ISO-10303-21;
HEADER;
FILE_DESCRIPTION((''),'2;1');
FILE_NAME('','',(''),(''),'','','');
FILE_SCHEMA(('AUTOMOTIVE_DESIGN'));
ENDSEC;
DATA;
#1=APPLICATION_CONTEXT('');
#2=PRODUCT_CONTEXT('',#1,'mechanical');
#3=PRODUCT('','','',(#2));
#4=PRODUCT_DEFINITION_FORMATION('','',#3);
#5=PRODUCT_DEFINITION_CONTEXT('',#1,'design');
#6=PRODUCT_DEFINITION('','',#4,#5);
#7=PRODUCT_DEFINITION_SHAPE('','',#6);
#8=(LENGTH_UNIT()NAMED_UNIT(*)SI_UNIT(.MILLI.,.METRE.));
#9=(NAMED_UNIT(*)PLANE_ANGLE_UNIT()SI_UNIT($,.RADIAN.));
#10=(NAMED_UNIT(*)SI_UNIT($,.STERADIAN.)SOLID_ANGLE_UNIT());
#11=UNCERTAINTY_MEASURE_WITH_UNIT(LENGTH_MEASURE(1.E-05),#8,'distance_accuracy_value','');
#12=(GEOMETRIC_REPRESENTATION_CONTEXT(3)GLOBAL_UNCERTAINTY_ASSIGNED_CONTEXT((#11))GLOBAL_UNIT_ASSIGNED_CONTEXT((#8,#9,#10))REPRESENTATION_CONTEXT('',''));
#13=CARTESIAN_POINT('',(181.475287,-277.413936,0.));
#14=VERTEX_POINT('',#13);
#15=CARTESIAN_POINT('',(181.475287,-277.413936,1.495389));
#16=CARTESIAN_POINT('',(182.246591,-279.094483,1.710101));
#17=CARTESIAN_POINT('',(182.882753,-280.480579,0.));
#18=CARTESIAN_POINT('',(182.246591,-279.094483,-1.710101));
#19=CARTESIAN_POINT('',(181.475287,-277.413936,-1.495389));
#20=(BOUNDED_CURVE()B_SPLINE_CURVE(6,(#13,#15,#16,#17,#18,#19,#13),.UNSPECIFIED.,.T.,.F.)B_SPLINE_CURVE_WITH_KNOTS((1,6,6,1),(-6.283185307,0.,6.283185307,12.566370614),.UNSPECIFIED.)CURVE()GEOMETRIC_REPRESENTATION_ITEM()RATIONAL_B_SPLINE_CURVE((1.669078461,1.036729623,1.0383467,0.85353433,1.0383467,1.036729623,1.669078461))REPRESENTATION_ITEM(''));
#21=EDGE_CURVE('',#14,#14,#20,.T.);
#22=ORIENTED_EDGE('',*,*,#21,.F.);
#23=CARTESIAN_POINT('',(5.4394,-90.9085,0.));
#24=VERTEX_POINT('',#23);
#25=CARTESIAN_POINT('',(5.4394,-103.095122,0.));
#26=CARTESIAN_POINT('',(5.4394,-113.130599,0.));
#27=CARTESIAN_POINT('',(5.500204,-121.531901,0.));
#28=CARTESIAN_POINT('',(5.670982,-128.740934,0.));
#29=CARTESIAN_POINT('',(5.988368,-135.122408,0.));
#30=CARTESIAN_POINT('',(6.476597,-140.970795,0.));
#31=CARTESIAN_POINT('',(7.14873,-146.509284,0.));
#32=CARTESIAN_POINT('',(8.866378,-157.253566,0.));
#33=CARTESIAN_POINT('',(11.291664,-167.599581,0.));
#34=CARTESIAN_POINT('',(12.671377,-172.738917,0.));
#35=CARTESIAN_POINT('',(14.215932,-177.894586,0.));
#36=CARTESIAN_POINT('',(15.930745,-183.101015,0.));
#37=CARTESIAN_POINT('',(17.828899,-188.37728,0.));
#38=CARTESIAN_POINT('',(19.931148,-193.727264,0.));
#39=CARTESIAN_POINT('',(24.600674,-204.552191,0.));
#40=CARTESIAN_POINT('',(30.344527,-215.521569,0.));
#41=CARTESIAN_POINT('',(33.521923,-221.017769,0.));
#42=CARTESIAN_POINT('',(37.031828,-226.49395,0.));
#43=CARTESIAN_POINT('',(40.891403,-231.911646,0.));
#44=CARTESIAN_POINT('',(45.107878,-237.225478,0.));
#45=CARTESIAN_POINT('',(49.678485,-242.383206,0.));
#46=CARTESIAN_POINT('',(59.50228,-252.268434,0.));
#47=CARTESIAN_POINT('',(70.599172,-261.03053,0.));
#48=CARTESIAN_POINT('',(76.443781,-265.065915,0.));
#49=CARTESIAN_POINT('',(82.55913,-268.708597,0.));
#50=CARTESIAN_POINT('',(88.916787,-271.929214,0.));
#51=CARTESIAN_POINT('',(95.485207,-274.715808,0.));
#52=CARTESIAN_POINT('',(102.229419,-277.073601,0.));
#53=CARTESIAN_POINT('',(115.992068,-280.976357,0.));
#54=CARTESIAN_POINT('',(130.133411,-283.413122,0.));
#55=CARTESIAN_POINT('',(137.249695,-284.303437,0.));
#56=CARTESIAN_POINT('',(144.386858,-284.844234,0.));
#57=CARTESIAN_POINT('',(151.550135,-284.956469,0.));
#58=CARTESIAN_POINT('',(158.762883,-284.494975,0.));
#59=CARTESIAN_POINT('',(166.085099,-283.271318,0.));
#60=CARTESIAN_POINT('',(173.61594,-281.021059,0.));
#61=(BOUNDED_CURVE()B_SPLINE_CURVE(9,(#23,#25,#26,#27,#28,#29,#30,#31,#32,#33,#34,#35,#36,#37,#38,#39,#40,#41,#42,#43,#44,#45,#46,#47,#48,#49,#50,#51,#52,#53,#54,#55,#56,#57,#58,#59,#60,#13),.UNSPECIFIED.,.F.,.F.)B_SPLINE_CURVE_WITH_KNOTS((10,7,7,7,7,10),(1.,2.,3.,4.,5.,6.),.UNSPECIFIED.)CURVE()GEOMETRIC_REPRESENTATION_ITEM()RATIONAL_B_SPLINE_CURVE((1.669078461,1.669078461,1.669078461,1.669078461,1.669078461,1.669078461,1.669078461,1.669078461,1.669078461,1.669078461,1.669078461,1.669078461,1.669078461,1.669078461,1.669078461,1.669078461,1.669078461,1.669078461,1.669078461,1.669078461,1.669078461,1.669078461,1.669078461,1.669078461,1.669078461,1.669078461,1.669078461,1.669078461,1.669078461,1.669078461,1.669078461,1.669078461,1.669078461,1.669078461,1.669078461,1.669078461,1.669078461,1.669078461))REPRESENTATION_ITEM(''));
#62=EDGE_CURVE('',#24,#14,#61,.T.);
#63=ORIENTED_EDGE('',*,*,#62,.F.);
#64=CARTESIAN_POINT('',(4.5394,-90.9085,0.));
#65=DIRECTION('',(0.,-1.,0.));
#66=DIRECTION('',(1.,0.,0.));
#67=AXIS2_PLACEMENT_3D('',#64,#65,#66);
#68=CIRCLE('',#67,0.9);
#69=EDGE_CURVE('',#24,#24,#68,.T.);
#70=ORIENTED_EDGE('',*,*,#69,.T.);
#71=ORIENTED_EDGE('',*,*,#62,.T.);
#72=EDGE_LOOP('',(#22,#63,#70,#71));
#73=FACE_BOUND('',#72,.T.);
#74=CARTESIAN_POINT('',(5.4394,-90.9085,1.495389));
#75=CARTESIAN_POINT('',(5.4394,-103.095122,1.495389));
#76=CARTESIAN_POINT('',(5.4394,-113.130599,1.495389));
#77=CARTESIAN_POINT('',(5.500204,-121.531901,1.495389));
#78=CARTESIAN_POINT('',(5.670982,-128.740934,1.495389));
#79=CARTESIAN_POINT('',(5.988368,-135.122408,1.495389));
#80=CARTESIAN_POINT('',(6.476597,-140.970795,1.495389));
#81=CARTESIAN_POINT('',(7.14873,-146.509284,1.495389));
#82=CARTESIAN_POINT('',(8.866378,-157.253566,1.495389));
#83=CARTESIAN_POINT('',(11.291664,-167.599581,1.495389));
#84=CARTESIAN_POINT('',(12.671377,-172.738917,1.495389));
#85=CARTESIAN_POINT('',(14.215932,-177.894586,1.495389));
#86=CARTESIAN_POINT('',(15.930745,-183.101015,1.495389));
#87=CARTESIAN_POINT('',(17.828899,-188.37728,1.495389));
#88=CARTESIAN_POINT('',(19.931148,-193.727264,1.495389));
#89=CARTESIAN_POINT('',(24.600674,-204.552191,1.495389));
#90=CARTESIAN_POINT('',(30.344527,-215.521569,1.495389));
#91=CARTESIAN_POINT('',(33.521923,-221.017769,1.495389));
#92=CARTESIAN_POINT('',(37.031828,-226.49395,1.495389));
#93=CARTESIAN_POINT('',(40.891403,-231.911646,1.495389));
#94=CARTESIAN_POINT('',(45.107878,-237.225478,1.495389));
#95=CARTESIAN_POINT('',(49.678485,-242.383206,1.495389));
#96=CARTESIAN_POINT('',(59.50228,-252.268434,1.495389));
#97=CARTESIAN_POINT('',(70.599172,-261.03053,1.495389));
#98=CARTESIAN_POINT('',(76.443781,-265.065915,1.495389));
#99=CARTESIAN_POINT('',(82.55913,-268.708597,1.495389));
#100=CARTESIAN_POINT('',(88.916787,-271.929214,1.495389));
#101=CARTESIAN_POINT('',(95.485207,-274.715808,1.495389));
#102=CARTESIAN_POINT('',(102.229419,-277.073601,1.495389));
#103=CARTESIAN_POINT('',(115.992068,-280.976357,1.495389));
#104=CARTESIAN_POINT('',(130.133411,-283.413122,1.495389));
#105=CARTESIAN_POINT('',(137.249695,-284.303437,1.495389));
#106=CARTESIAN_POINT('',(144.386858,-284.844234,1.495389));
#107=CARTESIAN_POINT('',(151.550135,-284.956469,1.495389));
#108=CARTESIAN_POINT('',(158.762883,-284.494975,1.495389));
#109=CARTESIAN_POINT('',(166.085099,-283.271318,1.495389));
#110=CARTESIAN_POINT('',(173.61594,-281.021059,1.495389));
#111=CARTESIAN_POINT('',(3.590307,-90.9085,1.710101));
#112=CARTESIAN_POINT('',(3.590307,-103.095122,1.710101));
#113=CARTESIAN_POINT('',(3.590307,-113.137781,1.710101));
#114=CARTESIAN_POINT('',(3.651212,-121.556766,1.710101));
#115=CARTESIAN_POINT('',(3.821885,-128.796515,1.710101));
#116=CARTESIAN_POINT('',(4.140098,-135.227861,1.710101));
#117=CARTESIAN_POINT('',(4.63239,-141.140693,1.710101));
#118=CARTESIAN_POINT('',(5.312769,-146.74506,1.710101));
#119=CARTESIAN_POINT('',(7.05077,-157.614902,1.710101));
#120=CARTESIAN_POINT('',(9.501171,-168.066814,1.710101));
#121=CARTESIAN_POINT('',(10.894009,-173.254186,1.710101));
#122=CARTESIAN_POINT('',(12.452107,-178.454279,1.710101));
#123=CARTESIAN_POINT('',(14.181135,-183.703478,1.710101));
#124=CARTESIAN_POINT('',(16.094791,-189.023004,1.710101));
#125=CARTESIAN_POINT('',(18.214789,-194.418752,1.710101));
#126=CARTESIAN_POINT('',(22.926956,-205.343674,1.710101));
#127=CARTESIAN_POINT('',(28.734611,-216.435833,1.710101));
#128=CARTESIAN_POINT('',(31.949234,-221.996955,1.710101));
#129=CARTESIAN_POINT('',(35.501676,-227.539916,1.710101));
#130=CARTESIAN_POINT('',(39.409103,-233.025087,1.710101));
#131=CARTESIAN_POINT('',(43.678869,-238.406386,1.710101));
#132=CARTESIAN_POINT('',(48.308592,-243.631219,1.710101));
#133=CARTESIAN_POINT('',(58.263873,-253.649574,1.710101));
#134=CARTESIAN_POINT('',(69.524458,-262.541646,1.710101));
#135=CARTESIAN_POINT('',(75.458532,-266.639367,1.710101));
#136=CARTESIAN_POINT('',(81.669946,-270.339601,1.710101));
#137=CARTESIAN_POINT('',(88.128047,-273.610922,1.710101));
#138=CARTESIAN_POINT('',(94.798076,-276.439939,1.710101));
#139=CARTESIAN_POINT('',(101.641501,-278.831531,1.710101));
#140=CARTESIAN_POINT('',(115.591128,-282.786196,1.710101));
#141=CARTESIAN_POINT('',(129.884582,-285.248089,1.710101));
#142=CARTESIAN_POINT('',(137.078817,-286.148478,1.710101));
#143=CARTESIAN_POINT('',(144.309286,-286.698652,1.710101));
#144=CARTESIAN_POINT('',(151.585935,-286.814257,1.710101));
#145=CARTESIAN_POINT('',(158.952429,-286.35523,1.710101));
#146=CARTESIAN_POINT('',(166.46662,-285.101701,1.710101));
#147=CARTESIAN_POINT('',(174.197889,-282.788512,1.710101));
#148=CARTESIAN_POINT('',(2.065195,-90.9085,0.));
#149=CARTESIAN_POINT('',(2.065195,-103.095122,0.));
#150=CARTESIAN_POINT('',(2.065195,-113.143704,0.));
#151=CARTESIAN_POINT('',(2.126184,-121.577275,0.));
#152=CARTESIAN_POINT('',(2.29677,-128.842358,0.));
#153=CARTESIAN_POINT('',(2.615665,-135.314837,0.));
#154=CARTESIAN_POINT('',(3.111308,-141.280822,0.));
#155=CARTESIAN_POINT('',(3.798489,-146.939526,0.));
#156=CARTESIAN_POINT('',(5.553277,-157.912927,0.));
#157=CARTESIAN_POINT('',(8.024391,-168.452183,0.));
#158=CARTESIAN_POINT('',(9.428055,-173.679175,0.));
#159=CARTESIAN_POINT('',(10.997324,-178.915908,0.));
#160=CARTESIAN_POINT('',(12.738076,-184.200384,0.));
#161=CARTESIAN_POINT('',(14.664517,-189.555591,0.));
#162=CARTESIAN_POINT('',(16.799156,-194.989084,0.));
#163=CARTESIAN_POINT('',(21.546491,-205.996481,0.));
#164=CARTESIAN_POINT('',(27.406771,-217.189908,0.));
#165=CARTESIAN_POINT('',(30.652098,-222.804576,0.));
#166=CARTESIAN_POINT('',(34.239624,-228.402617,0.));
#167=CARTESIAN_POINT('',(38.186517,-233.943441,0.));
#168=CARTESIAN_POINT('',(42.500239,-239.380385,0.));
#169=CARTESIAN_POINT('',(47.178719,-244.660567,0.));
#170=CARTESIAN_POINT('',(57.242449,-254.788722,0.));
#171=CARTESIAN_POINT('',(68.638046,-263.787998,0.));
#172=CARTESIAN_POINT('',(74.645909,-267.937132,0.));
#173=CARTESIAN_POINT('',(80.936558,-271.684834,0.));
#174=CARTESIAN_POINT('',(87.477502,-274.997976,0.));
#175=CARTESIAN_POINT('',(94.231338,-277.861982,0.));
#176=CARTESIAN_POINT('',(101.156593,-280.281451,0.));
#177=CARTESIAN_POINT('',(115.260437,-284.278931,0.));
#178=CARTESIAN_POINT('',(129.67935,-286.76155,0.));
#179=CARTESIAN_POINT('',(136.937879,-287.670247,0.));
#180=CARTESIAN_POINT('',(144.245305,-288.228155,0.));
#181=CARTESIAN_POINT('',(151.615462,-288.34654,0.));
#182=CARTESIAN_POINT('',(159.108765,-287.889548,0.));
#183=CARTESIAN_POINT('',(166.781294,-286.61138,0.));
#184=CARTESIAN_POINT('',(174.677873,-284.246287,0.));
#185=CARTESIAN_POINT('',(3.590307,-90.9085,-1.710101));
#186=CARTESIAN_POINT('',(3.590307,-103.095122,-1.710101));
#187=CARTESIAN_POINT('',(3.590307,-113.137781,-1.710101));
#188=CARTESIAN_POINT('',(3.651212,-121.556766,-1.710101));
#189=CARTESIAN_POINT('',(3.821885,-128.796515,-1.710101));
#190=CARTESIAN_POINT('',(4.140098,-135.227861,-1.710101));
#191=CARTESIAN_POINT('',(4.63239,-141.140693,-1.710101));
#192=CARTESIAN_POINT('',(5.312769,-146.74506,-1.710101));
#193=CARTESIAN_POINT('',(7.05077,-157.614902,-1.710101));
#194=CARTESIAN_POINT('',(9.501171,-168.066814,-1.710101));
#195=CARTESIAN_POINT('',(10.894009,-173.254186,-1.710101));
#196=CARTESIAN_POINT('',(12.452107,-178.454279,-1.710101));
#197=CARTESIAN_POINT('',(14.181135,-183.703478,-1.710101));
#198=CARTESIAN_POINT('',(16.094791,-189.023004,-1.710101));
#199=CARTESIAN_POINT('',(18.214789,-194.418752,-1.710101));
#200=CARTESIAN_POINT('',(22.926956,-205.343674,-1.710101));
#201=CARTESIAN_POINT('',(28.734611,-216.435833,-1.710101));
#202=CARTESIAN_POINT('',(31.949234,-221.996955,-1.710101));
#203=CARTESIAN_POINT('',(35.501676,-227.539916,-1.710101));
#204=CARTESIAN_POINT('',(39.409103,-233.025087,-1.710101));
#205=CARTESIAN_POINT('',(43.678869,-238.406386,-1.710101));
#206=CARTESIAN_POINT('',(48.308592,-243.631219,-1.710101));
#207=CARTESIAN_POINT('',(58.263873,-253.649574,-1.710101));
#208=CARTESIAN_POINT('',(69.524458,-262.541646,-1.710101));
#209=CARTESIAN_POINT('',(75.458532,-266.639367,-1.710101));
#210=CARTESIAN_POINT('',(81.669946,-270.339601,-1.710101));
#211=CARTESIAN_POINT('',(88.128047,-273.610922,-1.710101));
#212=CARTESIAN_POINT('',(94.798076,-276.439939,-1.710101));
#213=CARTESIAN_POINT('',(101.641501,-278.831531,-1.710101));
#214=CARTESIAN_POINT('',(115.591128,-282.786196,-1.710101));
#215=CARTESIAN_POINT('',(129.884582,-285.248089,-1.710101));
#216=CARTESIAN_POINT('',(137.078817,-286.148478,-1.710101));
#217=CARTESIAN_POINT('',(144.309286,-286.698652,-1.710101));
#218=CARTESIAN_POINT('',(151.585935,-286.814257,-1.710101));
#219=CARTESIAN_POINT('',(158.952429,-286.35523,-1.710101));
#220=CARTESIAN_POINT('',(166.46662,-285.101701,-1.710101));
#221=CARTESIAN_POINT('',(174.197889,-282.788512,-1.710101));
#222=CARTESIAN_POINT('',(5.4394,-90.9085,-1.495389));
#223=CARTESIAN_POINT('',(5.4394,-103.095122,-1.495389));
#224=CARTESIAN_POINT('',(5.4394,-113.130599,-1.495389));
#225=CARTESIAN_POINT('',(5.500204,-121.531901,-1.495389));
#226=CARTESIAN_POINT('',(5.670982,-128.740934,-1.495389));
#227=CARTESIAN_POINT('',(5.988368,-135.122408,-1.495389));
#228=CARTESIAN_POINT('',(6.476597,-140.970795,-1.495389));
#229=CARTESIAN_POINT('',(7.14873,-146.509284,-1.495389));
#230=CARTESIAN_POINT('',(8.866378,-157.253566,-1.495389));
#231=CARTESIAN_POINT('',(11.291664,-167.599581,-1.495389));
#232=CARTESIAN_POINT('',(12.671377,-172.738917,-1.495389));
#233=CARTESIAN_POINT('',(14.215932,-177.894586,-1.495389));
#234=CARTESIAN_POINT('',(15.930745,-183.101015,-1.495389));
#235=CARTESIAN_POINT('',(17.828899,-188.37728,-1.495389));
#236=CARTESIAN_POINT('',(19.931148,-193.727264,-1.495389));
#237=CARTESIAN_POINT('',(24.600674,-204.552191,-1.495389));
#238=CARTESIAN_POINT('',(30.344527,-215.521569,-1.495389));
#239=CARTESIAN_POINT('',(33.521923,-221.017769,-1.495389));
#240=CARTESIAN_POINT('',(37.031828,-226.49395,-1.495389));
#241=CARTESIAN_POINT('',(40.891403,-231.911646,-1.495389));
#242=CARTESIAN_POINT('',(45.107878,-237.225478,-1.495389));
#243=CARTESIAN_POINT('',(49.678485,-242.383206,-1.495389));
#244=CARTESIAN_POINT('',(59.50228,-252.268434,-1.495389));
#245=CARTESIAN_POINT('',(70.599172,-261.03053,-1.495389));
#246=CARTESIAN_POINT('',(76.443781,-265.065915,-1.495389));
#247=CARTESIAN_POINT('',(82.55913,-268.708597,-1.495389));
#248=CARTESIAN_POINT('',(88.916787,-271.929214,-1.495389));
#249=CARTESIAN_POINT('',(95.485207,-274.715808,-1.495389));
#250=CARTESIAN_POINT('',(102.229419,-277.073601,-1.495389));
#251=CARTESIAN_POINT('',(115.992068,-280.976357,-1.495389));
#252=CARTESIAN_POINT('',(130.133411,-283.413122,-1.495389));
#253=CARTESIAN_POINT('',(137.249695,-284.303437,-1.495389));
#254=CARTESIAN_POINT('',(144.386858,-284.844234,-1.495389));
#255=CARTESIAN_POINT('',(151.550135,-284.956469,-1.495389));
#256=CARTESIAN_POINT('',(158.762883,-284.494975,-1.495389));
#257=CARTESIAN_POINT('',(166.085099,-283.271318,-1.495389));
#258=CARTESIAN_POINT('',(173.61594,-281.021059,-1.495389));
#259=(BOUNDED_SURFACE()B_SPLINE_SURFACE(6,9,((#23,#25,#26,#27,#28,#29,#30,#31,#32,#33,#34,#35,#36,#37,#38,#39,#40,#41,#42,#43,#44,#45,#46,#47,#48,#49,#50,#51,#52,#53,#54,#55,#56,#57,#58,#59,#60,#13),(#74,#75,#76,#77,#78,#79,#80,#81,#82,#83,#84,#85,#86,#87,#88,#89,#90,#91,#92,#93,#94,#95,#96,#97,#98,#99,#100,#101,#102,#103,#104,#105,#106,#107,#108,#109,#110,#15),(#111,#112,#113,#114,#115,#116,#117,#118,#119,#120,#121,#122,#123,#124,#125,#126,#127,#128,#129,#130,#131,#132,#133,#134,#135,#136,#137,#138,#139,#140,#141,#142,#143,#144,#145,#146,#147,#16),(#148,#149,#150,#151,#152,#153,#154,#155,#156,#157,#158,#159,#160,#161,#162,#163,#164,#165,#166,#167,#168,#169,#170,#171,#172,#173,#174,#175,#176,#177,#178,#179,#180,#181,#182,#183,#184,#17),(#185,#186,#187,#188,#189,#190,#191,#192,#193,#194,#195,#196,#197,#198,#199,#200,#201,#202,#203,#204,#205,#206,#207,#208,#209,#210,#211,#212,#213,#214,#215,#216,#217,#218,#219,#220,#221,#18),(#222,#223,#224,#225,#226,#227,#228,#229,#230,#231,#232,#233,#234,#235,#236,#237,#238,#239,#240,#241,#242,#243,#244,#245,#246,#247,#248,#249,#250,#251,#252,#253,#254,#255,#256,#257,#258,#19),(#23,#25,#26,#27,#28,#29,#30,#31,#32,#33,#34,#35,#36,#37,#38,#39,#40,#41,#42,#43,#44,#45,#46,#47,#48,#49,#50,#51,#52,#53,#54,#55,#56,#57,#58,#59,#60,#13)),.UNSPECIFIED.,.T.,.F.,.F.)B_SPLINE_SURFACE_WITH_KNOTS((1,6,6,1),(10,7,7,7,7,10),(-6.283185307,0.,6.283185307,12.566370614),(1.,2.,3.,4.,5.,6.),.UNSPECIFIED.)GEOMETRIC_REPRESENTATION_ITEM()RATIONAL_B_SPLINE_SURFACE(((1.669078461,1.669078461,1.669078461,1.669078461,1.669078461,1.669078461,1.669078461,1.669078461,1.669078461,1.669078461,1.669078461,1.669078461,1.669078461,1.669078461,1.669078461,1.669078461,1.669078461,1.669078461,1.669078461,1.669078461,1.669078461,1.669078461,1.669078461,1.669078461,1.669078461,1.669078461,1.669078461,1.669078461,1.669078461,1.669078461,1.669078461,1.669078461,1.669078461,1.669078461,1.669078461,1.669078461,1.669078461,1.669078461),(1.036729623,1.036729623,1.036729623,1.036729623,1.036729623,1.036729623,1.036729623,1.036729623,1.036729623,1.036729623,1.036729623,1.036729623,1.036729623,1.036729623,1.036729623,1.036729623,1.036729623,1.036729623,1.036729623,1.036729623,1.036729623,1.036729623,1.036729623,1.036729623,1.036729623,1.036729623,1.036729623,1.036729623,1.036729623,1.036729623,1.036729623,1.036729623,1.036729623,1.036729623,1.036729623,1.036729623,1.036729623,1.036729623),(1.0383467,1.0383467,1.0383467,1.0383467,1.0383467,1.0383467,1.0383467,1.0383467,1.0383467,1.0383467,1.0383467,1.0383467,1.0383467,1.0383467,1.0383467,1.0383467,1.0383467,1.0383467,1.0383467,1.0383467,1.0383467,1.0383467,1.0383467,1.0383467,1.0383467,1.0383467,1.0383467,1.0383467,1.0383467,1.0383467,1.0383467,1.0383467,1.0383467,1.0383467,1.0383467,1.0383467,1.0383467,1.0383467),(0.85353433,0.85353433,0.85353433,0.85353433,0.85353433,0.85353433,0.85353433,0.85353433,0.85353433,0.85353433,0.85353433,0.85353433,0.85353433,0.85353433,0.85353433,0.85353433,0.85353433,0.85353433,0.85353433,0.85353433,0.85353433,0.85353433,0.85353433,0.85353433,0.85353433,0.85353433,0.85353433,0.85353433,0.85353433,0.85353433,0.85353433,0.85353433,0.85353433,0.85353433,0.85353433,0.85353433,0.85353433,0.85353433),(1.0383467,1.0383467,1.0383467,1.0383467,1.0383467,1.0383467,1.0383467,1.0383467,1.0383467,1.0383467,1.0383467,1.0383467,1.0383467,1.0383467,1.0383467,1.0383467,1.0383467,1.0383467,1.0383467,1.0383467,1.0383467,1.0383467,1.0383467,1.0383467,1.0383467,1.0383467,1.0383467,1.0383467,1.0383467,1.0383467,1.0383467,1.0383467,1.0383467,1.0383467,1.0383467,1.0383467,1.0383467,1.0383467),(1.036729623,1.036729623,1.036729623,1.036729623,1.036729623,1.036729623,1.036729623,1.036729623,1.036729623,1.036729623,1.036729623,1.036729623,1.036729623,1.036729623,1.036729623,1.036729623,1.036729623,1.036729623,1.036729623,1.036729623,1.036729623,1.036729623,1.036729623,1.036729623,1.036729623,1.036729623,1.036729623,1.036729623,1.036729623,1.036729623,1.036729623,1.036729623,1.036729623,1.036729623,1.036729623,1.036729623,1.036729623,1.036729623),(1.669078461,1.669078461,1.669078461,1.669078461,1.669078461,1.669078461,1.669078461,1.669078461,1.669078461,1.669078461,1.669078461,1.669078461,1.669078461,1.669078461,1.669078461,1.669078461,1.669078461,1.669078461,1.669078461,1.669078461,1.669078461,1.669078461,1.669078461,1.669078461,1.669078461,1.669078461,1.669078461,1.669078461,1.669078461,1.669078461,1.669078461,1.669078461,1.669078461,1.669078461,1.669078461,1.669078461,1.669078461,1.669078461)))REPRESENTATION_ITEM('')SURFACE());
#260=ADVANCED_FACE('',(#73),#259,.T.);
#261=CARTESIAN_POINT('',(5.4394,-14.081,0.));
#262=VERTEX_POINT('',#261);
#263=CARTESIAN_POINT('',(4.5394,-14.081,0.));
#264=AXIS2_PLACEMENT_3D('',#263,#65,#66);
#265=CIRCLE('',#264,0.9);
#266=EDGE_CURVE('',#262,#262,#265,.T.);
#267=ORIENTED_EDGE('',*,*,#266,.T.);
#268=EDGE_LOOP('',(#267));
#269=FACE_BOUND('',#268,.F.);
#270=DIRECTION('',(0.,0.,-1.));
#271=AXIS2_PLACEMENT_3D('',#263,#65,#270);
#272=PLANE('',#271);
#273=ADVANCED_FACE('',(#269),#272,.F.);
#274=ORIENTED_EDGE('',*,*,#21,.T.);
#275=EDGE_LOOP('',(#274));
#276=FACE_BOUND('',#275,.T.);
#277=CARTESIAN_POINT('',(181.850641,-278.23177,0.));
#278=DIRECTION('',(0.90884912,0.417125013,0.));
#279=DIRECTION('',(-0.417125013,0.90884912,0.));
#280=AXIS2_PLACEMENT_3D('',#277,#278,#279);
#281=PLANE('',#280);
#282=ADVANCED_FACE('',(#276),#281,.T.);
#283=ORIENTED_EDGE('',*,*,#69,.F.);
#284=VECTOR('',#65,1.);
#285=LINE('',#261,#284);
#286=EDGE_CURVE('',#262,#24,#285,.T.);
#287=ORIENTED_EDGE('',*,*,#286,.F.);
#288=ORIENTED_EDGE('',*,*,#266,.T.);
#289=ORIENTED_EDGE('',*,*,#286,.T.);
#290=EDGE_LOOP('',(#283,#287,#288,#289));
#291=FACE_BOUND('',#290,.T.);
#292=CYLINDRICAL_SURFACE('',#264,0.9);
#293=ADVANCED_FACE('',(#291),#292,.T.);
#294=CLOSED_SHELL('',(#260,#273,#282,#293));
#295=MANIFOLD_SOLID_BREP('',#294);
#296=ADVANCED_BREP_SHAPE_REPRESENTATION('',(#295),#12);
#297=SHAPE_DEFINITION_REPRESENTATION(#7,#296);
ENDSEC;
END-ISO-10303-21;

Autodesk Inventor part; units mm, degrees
ref_plane "YZ Plane" through (0, 0, 0) normal (1, 0, 0) x (0, 1, 0)
ref_plane "XZ Plane" through (0, 0, 0) normal (0, 1, 0) x (-1, 0, 0)
ref_plane "XY Plane" through (0, 0, 0) normal (0, 0, 1) x (1, 0, 0)
sketch "Эскиз1" plane through (0, 0, 0) normal (0, 0, 1) x (1, 0, 0)
  line L0 (4.5394, -14.081) -> (4.5394, -90.9085)
  line L1 (4.5394, -90.9085) -> (4.5394, -118.3284) construction
  line L2 (4.5394, -118.3284) -> (4.5394, -147.3964) construction
  line L3 (4.5394, -147.3964) -> (12.2069, -179.0249) construction
  line L4 (12.2069, -179.0249) -> (32.6536, -230.4611) construction
  line L5 (32.6536, -230.4611) -> (81.9235, -278.2319) construction
  line L6 (81.9235, -278.2319) -> (132.0554, -286.4431) construction
  line L7 (132.0554, -286.4431) -> (163.9598, -286.4431) construction
  line L8 (163.9598, -286.4431) -> (181.8507, -278.2319) construction
  spline S0 degree 4 poles (4.5394, -90.9085) (4.5394, -118.3284) (4.5394, -147.3964) (12.2069, -179.0249) (32.6536, -230.4611) (81.9235, -278.2319) (132.0554, -286.4431) (163.9598, -286.4431) (181.8507, -278.2319) knots 1 1 1 1 1 2 3 4 5 6 6 6 6 6
  point P0 (0, 0)
ref_plane "РабПлоскость1" through (4.5394, -14.081, 0) normal (0, -1, 0) x (1, 0, 0)
sketch "Эскиз2" plane through (4.5394, -14.081, 0) normal (0, -1, 0) x (1, 0, 0)
  circle A0 centre (0, 0) radius 0.9
  point P0 (-4.5394, 0)
  dimension "d0" = 1.8
sweep "Сдвиг1" add profiles "Эскиз2" path "Эскиз1"
properties part number "филамент красный"
